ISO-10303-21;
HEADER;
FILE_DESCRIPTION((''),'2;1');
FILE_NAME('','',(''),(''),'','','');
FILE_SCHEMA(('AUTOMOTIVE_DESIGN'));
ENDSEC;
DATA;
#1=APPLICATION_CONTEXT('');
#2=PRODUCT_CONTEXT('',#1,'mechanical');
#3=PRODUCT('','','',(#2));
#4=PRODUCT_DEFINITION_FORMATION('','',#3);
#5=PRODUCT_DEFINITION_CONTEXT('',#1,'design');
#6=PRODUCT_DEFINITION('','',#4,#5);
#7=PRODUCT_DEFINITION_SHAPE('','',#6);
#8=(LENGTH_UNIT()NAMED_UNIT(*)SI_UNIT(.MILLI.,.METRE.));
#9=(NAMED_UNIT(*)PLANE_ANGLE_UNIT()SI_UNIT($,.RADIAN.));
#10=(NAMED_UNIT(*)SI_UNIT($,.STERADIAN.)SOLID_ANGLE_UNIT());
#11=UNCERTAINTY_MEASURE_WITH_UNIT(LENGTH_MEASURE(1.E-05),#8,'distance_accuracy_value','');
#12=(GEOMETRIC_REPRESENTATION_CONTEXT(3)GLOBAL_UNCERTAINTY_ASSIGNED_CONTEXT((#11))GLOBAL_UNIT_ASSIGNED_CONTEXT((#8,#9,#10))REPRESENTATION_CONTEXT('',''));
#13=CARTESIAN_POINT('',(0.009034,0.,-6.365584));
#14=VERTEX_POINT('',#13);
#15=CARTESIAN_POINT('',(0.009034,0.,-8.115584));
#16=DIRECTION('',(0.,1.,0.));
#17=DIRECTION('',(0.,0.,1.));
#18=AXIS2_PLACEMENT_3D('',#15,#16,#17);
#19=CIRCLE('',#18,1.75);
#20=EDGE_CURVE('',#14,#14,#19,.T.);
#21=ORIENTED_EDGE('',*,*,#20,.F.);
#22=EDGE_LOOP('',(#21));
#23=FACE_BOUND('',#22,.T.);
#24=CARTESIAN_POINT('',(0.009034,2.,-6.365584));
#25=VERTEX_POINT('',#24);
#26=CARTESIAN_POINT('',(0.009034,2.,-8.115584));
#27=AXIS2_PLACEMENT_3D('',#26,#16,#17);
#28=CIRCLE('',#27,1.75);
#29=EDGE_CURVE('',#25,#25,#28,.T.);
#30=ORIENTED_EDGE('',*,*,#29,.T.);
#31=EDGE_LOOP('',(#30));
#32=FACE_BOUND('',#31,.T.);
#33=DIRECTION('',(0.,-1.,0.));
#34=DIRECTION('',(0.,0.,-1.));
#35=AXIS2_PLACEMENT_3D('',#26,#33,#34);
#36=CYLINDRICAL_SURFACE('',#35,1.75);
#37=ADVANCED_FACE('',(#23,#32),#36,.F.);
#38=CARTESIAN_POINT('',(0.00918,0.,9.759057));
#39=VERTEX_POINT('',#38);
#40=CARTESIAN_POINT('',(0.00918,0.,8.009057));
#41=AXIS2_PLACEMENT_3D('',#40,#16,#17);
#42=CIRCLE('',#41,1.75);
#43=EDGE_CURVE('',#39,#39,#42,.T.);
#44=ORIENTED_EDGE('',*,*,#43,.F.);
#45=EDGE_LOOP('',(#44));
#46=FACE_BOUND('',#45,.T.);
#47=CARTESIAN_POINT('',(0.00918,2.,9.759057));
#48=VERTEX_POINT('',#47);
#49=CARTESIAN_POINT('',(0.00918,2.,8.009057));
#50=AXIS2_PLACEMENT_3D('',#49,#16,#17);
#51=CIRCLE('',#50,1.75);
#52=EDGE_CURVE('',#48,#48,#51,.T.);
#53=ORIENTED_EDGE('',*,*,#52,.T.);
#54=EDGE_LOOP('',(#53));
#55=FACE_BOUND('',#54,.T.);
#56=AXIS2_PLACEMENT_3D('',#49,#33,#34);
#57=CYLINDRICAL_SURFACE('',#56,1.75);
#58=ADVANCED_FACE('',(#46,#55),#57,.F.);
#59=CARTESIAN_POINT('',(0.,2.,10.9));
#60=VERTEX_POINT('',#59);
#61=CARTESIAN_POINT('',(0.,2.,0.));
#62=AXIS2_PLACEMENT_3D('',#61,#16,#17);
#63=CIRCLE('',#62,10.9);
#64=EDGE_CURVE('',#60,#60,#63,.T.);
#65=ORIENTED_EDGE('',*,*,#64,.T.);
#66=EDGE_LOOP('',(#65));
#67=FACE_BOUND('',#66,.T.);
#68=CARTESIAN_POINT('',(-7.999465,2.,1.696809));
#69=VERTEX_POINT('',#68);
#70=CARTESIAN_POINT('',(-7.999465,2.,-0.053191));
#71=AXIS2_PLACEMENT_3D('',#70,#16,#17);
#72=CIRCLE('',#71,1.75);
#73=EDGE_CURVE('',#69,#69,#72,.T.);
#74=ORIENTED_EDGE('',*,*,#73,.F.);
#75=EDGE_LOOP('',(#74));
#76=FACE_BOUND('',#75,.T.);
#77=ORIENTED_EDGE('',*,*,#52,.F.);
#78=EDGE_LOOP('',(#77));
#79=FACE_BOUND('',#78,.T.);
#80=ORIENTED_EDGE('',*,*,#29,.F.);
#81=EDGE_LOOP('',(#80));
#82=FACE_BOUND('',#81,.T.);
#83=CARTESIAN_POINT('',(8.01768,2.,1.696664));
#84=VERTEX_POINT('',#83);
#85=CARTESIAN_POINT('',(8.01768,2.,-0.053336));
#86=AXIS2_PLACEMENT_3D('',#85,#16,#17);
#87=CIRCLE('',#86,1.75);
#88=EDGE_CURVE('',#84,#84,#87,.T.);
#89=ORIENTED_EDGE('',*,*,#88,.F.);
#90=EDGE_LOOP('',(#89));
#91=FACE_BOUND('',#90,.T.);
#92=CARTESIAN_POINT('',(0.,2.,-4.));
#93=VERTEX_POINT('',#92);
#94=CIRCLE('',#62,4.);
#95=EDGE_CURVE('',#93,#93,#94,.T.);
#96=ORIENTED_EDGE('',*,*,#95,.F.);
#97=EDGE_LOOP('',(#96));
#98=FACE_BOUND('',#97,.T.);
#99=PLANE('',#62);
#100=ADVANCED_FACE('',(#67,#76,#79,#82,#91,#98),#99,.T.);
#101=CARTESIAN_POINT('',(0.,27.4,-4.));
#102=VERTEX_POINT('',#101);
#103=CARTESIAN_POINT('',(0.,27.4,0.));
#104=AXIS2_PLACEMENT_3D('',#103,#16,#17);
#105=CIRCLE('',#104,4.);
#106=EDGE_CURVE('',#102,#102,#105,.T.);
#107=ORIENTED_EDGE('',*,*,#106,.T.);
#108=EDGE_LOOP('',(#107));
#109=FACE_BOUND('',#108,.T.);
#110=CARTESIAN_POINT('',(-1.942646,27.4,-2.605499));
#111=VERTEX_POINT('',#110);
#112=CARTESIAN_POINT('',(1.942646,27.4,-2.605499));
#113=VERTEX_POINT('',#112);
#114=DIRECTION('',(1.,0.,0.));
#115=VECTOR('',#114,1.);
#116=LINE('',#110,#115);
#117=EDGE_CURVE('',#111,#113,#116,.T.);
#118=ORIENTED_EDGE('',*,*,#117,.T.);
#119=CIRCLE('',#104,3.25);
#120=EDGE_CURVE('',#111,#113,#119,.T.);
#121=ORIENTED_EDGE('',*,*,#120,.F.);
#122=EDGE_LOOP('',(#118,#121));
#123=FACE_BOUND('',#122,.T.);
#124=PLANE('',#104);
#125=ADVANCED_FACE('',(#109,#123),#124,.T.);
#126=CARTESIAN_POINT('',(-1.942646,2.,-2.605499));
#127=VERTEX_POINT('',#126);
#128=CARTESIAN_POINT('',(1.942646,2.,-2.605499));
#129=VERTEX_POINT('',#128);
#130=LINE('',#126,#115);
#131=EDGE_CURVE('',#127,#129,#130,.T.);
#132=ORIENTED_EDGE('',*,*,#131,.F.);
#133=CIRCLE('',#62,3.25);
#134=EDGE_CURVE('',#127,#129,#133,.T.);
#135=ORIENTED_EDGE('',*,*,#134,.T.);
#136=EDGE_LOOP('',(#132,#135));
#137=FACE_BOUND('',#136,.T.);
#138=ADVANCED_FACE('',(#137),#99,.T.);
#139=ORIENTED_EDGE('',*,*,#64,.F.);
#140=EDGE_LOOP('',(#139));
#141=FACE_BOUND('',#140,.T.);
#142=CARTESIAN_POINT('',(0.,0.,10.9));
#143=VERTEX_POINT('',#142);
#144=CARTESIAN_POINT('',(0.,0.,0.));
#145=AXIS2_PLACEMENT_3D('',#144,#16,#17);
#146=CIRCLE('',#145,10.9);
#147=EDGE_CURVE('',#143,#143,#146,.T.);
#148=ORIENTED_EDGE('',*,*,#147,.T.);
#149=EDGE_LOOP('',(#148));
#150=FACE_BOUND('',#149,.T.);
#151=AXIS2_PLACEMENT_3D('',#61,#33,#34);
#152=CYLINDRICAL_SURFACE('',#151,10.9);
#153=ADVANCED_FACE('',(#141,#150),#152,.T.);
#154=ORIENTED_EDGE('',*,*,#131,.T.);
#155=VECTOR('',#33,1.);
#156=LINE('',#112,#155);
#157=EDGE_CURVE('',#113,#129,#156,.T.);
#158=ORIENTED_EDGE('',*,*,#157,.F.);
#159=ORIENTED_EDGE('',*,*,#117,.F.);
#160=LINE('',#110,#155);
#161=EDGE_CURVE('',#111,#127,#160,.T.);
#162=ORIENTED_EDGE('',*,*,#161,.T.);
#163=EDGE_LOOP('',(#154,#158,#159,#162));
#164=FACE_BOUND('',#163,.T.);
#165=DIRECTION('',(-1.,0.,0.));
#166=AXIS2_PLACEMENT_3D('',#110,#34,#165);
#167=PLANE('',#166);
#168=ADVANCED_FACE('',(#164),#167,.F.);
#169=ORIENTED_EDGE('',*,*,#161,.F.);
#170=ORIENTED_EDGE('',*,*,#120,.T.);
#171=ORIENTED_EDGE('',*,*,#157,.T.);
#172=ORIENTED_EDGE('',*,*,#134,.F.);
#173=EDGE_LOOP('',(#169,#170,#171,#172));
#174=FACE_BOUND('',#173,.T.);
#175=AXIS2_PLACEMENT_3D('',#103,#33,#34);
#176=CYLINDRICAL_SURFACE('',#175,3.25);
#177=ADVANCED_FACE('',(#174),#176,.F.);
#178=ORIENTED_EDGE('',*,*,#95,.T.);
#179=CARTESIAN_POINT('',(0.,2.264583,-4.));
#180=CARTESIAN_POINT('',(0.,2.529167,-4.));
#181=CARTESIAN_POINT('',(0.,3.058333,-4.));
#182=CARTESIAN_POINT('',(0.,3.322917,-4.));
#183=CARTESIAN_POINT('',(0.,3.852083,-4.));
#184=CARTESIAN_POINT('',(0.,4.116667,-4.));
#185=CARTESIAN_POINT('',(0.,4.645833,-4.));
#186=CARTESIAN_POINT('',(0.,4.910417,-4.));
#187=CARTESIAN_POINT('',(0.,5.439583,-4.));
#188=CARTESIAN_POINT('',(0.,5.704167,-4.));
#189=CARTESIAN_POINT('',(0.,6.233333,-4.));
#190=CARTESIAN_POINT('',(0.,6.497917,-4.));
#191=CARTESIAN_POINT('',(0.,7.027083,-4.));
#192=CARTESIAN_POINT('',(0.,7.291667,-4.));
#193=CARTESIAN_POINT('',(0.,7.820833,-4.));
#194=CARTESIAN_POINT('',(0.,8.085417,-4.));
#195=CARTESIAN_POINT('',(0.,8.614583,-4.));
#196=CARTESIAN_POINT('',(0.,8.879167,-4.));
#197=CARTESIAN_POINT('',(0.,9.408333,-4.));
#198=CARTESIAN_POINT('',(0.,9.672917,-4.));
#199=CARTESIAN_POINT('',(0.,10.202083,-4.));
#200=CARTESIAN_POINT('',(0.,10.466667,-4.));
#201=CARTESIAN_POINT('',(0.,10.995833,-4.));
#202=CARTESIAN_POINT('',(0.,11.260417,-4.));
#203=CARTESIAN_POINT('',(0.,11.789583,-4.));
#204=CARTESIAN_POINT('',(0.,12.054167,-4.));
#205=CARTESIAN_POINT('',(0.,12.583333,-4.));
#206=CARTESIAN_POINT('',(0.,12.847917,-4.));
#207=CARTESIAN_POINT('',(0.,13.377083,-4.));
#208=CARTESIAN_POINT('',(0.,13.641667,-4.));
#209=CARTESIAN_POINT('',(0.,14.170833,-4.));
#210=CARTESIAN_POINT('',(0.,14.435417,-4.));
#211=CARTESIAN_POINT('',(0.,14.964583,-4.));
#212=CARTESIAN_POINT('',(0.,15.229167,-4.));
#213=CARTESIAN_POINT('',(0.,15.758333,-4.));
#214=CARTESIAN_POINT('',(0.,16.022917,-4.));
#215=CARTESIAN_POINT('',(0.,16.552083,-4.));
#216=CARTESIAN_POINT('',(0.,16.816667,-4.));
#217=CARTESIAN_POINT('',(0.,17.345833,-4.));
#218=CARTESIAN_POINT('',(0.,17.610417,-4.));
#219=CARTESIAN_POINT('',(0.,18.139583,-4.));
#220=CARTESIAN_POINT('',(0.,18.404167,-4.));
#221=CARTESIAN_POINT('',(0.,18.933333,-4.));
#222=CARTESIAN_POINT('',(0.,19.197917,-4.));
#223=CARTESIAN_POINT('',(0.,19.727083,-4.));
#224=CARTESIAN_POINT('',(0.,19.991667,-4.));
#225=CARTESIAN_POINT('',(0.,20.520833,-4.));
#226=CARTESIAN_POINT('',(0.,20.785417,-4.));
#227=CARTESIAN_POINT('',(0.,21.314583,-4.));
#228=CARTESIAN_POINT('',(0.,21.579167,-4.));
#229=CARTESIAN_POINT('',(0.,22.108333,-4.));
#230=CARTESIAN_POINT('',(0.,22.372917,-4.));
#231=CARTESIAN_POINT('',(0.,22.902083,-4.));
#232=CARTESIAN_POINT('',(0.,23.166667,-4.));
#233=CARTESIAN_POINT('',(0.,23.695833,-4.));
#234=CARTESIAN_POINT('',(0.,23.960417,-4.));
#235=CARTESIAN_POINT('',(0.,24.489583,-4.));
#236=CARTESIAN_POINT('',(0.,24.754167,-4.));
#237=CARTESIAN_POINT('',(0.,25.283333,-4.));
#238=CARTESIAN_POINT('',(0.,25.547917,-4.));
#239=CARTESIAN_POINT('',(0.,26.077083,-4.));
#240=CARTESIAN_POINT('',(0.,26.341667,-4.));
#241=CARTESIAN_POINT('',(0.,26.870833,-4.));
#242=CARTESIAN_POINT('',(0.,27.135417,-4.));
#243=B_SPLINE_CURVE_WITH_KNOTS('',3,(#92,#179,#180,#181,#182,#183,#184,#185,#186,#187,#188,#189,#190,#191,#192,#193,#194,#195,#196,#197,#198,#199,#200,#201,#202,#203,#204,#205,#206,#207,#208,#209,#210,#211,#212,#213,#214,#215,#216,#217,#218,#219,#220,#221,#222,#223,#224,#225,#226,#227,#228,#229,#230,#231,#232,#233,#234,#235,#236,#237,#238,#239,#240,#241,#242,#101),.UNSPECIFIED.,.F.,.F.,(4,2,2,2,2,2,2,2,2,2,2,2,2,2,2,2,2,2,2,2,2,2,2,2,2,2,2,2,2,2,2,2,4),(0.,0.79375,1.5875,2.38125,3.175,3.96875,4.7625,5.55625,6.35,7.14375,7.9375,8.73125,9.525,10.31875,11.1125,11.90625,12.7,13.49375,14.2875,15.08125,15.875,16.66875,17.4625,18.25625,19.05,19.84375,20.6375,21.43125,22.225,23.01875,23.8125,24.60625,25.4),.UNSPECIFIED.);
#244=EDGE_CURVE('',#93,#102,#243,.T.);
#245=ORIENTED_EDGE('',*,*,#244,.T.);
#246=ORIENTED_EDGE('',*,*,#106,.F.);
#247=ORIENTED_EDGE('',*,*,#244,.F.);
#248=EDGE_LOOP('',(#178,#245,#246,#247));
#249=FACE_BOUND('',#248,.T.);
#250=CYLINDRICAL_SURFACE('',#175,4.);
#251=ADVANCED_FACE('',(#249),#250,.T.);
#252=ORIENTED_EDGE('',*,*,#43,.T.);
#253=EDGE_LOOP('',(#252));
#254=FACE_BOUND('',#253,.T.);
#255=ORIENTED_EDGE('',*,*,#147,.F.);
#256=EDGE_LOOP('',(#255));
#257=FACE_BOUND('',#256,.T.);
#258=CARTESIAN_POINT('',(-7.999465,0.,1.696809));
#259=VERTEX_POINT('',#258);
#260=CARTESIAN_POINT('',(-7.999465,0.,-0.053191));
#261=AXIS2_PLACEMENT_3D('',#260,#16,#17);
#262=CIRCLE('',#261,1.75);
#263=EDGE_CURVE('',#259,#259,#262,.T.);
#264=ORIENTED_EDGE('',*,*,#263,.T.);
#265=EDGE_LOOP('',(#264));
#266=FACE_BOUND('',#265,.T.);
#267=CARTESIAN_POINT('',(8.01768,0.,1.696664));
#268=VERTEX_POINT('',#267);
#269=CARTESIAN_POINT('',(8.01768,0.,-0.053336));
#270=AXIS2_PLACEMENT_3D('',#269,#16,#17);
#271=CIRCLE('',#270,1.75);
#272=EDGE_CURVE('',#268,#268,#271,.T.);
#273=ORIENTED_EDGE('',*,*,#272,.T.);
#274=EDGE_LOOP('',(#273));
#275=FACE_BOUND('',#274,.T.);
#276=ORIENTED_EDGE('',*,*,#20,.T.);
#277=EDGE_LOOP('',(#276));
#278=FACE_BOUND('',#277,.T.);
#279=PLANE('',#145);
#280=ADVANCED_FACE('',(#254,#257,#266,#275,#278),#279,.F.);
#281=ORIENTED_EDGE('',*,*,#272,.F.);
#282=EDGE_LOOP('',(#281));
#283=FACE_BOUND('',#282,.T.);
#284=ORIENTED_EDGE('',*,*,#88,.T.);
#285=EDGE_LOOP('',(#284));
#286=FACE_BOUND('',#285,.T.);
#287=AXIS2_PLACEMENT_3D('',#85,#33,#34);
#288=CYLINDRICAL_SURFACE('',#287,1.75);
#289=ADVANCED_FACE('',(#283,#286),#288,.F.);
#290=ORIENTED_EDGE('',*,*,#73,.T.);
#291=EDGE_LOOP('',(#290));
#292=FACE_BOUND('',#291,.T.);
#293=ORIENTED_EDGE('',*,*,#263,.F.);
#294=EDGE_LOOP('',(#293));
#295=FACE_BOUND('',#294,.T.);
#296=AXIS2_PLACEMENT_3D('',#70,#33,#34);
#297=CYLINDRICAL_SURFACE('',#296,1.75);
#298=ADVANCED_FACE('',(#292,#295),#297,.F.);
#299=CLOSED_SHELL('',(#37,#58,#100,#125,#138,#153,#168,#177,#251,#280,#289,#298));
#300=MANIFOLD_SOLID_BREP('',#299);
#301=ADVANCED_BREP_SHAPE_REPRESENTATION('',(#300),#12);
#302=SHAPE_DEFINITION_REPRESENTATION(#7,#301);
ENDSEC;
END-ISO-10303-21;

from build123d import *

# Parameters (mm, degrees)
SKETCH3_R           = 4
BOSS_EXTRUDE1_DEPTH = 27.4
SKETCH3_17_R        = 10.9
SKETCH3_17_R_2      = 1.75
BOSS_EXTRUDE2_DEPTH = 2


with BuildPart() as part:
    # Sketch3 → Boss-Extrude1 (new body)
    with BuildSketch(Plane(origin=(0, 0, 0), x_dir=(1, 0, 0), z_dir=(0, 1, 0))):
        Circle(SKETCH3_R)
        with BuildLine():
            Line((-1.942645776, 2.605499451), (1.942645776, 2.605499451))
            ThreePointArc((1.942645776, 2.605499451), (0, -3.25), (-1.942645776, 2.605499451))
        make_face(mode=Mode.SUBTRACT)
    extrude(amount=BOSS_EXTRUDE1_DEPTH)

    # Sketch3<17> → Boss-Extrude2 (add)
    with BuildSketch(Plane(origin=(0, 0, 0), x_dir=(1, 0, 0), z_dir=(0, 1, 0))):
        Circle(SKETCH3_17_R)
        with Locations((0.009034474, 8.115584077)):
            Circle(SKETCH3_17_R_2, mode=Mode.SUBTRACT)
        with Locations((8.017679827, 0.053335715)):
            Circle(SKETCH3_17_R_2, mode=Mode.SUBTRACT)
        with Locations((0.009179949, -8.009057152)):
            Circle(SKETCH3_17_R_2, mode=Mode.SUBTRACT)
        with Locations((-7.999465404, 0.05319121)):
            Circle(SKETCH3_17_R_2, mode=Mode.SUBTRACT)
    extrude(amount=BOSS_EXTRUDE2_DEPTH)


solid = part.part
